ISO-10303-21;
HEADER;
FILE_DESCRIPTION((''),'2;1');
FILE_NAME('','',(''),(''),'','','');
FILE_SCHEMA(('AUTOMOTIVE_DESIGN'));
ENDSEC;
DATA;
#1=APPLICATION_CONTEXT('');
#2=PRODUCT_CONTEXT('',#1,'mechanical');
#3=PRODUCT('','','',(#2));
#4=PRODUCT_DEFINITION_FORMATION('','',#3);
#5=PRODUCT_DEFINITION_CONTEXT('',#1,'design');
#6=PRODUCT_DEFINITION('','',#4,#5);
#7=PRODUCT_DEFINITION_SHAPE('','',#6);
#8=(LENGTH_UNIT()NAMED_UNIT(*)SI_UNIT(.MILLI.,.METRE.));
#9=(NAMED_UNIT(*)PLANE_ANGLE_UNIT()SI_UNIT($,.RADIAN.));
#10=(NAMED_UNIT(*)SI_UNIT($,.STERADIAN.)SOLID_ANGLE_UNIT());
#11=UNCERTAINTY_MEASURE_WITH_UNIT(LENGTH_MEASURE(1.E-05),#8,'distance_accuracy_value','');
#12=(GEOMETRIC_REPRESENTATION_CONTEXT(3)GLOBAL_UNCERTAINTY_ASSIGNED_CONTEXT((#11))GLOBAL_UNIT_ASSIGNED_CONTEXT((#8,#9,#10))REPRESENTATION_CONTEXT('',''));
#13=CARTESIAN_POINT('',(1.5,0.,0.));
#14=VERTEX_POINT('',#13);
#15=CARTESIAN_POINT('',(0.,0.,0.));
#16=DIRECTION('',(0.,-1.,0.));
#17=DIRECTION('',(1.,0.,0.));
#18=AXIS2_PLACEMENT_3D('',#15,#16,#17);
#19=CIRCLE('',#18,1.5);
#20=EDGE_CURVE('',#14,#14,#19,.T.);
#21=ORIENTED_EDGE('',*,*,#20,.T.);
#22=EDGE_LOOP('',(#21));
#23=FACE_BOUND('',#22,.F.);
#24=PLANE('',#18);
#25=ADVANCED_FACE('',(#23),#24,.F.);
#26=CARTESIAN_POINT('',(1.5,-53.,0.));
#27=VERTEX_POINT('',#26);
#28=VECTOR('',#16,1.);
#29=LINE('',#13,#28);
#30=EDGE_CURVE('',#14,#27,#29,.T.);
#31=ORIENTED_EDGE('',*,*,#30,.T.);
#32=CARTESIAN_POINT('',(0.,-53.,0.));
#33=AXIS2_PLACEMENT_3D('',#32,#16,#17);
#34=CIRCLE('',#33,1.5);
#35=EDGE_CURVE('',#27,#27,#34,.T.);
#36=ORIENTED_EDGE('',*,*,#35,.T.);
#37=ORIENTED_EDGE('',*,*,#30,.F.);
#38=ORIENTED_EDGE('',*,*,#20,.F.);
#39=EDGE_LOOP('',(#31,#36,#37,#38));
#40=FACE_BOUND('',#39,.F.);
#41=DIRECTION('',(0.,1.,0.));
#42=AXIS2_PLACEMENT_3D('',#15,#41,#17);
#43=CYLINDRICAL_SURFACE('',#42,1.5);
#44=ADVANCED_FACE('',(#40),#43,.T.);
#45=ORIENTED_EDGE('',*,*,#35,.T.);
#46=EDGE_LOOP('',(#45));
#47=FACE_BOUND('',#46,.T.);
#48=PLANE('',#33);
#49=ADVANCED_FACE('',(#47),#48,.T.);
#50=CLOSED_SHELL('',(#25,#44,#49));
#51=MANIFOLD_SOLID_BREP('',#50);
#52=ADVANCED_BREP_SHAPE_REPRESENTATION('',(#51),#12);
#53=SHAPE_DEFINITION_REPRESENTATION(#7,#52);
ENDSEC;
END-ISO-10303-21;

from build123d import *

# Parameters (mm, degrees)
F0_R     = 1.5
F1_DEPTH = 53
F3_ANGLE = 90


with BuildPart() as f1:
    # F0 (on Top) → F1 (new body)
    with BuildSketch(Plane.XY):
        Circle(F0_R)
    extrude(amount=F1_DEPTH)


with BuildPart() as f1_1:
    # F3: moved
    add(f1.part.rotate(Axis((3.824475, 0, 0), (1, 0, 0)), F3_ANGLE))


solid = f1_1.part
